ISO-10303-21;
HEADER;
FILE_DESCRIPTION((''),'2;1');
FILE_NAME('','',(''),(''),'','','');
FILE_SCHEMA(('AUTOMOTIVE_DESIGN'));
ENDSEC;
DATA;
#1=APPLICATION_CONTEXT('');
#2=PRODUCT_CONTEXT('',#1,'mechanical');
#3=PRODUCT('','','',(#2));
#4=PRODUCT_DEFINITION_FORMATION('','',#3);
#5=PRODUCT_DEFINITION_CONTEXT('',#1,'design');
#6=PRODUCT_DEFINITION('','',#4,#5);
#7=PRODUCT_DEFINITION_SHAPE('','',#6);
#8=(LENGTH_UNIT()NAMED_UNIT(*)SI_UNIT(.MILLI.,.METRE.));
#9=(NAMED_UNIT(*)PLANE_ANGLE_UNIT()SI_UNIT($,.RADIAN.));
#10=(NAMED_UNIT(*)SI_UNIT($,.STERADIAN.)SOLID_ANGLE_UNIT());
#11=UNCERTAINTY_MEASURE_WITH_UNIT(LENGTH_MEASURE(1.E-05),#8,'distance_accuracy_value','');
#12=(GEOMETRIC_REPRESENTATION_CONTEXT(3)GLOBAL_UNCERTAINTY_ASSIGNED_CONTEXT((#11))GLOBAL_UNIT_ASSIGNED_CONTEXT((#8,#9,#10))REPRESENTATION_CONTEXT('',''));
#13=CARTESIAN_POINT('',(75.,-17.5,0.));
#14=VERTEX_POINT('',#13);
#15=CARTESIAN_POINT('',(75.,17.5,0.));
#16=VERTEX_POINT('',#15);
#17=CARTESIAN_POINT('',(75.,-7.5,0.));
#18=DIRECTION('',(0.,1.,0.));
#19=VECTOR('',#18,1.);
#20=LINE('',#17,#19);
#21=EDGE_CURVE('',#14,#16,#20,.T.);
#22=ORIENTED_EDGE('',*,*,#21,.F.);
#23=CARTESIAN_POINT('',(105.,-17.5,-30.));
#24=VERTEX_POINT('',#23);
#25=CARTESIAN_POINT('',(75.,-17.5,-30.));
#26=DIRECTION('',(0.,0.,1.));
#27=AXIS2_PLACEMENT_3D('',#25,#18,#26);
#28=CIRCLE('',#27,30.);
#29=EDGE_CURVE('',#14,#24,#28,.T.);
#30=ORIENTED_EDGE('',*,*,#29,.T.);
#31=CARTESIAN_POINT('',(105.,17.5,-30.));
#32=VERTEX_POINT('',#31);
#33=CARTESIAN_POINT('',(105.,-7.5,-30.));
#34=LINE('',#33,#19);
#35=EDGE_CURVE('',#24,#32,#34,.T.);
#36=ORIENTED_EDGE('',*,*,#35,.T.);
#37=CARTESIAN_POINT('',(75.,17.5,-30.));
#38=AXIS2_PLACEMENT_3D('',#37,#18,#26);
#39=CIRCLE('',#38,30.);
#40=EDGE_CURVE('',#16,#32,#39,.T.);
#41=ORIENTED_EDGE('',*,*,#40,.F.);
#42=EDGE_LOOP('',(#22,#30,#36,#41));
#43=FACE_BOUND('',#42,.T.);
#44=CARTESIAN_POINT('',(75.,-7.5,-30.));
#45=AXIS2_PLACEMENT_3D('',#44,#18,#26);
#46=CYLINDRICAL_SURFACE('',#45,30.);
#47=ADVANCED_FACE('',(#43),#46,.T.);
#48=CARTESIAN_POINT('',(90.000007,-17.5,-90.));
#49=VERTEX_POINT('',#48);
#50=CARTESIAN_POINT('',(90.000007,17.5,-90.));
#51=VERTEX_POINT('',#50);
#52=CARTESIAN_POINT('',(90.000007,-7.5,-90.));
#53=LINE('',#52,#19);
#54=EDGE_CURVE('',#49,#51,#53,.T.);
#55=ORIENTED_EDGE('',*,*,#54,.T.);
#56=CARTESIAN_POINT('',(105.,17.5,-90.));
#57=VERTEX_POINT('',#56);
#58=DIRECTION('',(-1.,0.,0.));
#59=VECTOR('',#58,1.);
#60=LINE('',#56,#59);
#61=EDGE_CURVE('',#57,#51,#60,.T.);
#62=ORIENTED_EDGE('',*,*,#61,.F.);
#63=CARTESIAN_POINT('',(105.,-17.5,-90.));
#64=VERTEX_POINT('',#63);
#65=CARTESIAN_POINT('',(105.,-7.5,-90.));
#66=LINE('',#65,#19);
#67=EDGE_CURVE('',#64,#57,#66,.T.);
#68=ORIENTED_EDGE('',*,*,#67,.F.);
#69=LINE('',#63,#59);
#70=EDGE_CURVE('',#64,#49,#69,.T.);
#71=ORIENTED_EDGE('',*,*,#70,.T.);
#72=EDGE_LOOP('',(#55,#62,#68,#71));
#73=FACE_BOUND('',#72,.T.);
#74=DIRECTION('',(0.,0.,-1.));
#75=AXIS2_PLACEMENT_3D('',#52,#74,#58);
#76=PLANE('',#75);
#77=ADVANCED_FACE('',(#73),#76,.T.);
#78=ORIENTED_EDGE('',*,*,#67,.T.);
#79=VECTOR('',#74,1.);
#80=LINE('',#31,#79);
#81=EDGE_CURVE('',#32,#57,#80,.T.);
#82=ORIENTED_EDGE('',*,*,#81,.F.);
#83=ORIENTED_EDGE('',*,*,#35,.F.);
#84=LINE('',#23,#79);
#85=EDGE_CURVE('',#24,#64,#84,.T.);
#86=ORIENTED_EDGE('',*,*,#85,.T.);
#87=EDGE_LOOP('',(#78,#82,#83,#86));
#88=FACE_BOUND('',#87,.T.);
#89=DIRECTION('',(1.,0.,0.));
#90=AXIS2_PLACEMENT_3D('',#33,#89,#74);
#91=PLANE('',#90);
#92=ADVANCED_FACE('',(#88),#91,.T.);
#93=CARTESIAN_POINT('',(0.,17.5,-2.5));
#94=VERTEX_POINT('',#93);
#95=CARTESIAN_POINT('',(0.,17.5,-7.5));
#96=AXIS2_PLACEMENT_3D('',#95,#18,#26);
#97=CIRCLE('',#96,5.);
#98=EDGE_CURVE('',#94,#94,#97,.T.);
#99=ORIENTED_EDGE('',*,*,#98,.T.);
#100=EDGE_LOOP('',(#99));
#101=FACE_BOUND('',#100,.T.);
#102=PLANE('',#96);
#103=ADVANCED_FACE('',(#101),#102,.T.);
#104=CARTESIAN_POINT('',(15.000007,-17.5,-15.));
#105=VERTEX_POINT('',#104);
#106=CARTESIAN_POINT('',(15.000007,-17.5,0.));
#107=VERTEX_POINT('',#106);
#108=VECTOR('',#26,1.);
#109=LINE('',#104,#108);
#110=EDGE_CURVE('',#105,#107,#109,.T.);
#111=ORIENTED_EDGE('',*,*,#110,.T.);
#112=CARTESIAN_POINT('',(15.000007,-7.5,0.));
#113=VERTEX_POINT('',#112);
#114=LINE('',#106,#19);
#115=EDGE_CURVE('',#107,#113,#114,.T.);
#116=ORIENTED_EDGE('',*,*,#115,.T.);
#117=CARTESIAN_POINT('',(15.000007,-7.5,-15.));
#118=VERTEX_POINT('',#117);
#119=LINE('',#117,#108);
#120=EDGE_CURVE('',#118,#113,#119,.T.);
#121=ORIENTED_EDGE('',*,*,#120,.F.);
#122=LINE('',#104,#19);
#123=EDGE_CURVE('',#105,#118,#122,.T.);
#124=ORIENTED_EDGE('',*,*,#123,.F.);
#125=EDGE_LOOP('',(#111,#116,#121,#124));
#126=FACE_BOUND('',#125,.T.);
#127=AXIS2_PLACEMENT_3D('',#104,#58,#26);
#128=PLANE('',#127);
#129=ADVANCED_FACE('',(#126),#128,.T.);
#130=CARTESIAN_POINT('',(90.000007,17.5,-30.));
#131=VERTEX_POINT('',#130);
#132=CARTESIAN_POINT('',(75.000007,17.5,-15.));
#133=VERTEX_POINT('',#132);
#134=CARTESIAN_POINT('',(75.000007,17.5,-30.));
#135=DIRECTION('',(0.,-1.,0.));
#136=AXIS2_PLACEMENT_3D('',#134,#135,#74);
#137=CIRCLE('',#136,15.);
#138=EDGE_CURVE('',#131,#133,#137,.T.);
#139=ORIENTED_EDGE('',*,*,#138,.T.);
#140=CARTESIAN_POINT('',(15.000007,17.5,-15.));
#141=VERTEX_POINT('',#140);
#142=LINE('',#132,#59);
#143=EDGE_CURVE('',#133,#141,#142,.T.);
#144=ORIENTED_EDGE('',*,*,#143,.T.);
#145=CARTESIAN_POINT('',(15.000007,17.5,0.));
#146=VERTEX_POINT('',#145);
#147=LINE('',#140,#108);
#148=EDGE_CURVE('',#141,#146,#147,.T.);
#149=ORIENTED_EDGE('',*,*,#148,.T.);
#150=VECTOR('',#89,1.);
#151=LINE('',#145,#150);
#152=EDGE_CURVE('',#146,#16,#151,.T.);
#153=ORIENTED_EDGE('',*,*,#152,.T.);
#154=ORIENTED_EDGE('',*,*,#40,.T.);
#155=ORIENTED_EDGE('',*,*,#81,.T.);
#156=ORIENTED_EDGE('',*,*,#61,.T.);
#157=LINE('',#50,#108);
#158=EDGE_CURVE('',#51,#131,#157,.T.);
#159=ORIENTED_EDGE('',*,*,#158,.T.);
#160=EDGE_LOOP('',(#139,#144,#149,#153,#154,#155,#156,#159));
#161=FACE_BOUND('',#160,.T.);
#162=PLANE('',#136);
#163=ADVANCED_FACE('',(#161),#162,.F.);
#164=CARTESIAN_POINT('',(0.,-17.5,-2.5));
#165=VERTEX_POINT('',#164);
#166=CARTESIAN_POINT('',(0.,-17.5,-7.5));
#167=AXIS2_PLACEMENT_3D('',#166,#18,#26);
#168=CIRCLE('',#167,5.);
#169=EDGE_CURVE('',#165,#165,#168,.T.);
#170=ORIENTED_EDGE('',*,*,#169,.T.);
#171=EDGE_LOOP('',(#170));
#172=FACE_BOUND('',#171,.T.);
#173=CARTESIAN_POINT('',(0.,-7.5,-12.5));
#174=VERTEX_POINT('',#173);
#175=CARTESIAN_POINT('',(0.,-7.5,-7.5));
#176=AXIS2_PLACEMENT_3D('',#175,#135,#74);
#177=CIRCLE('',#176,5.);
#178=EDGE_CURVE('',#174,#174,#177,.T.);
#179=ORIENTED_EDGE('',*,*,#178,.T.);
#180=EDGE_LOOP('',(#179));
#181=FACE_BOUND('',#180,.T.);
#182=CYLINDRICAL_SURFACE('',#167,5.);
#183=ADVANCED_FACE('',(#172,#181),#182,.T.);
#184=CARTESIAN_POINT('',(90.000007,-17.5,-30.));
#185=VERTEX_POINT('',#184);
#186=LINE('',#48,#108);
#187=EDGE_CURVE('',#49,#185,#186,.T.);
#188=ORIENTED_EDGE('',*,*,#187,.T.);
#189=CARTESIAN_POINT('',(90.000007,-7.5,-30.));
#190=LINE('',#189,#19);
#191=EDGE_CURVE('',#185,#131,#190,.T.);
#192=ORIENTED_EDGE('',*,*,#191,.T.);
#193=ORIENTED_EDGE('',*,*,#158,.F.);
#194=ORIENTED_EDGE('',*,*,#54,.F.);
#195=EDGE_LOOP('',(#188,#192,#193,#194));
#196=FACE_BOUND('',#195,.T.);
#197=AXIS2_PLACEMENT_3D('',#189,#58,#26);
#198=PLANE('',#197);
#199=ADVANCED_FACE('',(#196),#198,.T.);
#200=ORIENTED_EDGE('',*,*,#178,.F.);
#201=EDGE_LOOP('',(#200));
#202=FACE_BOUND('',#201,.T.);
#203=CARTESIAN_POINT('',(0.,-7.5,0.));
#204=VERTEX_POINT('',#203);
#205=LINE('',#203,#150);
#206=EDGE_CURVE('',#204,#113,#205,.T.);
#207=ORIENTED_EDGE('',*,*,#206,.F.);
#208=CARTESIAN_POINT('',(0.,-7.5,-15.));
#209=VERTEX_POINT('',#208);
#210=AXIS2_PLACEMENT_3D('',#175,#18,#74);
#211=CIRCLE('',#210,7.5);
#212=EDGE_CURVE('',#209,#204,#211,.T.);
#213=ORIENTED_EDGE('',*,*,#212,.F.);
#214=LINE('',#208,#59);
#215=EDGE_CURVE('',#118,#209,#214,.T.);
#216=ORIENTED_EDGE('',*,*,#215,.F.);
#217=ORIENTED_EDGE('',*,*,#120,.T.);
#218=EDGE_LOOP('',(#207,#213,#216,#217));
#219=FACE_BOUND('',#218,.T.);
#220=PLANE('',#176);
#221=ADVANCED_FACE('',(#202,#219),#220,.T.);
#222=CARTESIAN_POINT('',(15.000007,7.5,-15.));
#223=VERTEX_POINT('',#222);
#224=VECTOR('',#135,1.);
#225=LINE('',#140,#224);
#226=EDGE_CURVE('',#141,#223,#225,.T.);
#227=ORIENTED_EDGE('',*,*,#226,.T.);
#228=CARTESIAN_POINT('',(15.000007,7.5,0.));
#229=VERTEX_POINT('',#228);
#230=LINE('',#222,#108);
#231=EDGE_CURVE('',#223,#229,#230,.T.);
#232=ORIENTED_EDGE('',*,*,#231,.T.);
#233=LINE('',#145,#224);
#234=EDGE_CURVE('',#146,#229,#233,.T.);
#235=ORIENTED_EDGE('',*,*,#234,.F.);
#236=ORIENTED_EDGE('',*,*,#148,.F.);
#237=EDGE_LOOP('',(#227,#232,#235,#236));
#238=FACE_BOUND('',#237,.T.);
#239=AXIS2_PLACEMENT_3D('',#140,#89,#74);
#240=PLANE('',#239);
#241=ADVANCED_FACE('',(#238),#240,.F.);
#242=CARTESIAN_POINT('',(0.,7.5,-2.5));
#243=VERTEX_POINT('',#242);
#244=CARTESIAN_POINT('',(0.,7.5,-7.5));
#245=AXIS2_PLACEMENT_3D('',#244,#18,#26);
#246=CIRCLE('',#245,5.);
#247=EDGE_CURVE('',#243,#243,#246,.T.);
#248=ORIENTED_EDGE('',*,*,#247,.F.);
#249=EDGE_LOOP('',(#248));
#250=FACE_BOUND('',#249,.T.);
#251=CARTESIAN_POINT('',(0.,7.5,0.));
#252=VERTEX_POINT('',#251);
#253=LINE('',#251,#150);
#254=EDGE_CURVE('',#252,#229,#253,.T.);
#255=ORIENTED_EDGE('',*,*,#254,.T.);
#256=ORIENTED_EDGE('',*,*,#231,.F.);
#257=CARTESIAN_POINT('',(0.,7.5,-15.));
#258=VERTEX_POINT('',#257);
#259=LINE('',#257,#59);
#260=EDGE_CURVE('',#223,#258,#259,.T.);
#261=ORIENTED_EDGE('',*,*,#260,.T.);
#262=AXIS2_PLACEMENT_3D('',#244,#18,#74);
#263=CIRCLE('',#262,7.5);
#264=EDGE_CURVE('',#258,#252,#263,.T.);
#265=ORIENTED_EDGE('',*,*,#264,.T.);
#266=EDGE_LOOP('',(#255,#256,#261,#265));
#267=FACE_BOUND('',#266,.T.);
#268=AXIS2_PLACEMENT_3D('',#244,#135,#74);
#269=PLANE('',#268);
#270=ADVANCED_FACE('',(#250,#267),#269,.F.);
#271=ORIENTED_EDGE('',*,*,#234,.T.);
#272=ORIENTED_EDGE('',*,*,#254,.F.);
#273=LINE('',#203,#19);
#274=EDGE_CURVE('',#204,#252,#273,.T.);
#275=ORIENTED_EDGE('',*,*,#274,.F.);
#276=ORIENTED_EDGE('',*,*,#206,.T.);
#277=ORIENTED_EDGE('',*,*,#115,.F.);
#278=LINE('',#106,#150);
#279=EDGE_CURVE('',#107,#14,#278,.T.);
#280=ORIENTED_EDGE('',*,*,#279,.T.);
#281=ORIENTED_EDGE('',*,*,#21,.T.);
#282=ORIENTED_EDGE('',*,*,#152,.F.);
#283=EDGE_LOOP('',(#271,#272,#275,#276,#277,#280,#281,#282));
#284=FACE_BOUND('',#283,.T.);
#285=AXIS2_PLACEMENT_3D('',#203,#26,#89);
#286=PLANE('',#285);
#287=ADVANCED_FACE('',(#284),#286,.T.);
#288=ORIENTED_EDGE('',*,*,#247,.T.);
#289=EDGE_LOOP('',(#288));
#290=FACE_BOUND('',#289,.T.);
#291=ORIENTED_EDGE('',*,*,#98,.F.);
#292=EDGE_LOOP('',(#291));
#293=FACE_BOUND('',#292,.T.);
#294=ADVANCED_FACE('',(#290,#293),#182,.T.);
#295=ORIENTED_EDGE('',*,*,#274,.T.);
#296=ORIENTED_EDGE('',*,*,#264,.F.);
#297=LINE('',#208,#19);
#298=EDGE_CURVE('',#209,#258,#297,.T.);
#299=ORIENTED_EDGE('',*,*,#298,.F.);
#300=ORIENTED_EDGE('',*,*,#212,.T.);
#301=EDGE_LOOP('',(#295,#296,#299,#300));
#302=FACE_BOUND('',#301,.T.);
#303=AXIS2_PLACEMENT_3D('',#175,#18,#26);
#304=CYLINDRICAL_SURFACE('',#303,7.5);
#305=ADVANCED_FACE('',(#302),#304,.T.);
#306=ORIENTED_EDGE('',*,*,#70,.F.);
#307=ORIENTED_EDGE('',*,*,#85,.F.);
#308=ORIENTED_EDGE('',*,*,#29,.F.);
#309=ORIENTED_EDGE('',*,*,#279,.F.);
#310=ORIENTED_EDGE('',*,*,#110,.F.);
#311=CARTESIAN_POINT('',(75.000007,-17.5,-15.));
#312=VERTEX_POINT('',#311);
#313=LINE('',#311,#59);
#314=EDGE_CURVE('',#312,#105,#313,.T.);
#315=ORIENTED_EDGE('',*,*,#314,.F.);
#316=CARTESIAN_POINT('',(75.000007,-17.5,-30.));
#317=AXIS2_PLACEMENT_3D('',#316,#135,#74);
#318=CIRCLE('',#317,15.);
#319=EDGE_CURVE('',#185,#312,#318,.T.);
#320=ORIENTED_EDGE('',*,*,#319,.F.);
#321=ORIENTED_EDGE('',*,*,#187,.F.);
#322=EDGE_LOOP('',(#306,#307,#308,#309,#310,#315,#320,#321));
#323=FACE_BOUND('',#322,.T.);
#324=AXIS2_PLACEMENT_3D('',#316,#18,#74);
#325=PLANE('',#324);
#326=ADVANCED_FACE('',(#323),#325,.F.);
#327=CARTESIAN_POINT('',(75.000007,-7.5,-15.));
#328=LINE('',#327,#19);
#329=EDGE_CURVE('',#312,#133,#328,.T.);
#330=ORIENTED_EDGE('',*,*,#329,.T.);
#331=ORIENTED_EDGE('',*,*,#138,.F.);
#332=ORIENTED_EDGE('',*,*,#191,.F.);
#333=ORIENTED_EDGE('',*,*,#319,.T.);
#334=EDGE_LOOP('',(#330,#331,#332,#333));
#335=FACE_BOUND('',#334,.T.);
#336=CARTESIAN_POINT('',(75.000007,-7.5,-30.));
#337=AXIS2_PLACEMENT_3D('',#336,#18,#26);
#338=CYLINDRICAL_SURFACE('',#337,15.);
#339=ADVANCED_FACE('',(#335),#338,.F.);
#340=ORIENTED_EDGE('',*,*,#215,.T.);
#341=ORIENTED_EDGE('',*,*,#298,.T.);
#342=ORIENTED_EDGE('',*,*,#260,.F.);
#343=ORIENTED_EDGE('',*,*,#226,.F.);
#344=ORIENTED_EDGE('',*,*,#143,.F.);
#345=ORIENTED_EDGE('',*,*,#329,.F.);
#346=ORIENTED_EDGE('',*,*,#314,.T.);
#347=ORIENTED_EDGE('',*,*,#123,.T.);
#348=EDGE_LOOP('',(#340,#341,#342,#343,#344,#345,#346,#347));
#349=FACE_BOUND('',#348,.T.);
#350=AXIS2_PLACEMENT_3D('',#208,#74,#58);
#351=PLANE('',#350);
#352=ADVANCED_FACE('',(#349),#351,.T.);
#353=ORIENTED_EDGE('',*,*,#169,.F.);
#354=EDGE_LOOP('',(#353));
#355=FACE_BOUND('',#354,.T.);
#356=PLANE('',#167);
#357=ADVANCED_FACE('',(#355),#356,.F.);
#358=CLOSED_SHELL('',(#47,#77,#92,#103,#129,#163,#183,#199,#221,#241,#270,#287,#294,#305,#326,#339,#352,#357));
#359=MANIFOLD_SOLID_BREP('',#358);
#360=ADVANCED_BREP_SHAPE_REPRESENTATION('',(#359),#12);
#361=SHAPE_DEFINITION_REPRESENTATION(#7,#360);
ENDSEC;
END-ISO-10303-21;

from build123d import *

# Parameters (mm, degrees)
EXTRUDE_1_DEPTH      = 7.5
EXTRUDE_1_DEPTH_BACK = 7.5
SKETCH_1_R           = 5
SKETCH_2_R           = 5
EXTRUDE_2_DEPTH      = 17.5
EXTRUDE_3_DEPTH      = 10


with BuildPart() as part:
    # 草图1 → 凸台-拉伸1 (new, two sides: drawn at the far end of the back side and taken through both)
    with BuildSketch(Plane(origin=(0, 0, 0), x_dir=(1, 0, 0), z_dir=(0, 1, 0)).offset(-EXTRUDE_1_DEPTH_BACK)):
        with BuildLine():
            Line((0, 0), (75, 0))
            ThreePointArc((75, 0), (96.213203436, 8.786796564), (105, 30))
            Line((105, 30), (105, 90))
            Line((105, 90), (90.00000671, 90))
            Line((90.00000671, 90), (90.00000671, 30))
            ThreePointArc((90.00000671, 30), (85.606608428, 19.393398282), (75.00000671, 15))
            Line((75.00000671, 15), (0, 15))
            ThreePointArc((0, 15), (-7.5, 7.5), (0, 0))
        make_face()
        with Locations((0, 7.5)):
            Circle(SKETCH_1_R, mode=Mode.SUBTRACT)
    extrude(amount=EXTRUDE_1_DEPTH + EXTRUDE_1_DEPTH_BACK)

    # 草图2 → 凸台-拉伸2 (add, symmetric)
    with BuildSketch(Plane(origin=(0, 0, 0), x_dir=(1, 0, 0), z_dir=(0, 1, 0))):
        with Locations((0, 7.5)):
            Circle(SKETCH_2_R)
    extrude(amount=EXTRUDE_2_DEPTH, both=True)

    # 草图3 → 凸台-拉伸3 (add)
    with BuildSketch(Plane(origin=(0, 7.5, 0), x_dir=(1, 0, 0), z_dir=(0, 1, 0))):
        with BuildLine():
            Line((90.00000671, 90), (90.00000671, 30))
            ThreePointArc((90.00000671, 30), (85.606608428, 19.393398282), (75.00000671, 15))
            Line((75.00000671, 15), (15.00000671, 15))
            Line((15.00000671, 15), (15.00000671, 0))
            Line((15.00000671, 0), (75, 0))
            ThreePointArc((75, 0), (96.213203436, 8.786796564), (105, 30))
            Line((105, 30), (105, 90))
            Line((105, 90), (90.00000671, 90))
        make_face()
    extrude_3 = extrude(amount=EXTRUDE_3_DEPTH)

    # 镜向1: 凸台-拉伸3 across plane
    add(extrude_3.mirror(Plane.ZX))


solid = part.part
